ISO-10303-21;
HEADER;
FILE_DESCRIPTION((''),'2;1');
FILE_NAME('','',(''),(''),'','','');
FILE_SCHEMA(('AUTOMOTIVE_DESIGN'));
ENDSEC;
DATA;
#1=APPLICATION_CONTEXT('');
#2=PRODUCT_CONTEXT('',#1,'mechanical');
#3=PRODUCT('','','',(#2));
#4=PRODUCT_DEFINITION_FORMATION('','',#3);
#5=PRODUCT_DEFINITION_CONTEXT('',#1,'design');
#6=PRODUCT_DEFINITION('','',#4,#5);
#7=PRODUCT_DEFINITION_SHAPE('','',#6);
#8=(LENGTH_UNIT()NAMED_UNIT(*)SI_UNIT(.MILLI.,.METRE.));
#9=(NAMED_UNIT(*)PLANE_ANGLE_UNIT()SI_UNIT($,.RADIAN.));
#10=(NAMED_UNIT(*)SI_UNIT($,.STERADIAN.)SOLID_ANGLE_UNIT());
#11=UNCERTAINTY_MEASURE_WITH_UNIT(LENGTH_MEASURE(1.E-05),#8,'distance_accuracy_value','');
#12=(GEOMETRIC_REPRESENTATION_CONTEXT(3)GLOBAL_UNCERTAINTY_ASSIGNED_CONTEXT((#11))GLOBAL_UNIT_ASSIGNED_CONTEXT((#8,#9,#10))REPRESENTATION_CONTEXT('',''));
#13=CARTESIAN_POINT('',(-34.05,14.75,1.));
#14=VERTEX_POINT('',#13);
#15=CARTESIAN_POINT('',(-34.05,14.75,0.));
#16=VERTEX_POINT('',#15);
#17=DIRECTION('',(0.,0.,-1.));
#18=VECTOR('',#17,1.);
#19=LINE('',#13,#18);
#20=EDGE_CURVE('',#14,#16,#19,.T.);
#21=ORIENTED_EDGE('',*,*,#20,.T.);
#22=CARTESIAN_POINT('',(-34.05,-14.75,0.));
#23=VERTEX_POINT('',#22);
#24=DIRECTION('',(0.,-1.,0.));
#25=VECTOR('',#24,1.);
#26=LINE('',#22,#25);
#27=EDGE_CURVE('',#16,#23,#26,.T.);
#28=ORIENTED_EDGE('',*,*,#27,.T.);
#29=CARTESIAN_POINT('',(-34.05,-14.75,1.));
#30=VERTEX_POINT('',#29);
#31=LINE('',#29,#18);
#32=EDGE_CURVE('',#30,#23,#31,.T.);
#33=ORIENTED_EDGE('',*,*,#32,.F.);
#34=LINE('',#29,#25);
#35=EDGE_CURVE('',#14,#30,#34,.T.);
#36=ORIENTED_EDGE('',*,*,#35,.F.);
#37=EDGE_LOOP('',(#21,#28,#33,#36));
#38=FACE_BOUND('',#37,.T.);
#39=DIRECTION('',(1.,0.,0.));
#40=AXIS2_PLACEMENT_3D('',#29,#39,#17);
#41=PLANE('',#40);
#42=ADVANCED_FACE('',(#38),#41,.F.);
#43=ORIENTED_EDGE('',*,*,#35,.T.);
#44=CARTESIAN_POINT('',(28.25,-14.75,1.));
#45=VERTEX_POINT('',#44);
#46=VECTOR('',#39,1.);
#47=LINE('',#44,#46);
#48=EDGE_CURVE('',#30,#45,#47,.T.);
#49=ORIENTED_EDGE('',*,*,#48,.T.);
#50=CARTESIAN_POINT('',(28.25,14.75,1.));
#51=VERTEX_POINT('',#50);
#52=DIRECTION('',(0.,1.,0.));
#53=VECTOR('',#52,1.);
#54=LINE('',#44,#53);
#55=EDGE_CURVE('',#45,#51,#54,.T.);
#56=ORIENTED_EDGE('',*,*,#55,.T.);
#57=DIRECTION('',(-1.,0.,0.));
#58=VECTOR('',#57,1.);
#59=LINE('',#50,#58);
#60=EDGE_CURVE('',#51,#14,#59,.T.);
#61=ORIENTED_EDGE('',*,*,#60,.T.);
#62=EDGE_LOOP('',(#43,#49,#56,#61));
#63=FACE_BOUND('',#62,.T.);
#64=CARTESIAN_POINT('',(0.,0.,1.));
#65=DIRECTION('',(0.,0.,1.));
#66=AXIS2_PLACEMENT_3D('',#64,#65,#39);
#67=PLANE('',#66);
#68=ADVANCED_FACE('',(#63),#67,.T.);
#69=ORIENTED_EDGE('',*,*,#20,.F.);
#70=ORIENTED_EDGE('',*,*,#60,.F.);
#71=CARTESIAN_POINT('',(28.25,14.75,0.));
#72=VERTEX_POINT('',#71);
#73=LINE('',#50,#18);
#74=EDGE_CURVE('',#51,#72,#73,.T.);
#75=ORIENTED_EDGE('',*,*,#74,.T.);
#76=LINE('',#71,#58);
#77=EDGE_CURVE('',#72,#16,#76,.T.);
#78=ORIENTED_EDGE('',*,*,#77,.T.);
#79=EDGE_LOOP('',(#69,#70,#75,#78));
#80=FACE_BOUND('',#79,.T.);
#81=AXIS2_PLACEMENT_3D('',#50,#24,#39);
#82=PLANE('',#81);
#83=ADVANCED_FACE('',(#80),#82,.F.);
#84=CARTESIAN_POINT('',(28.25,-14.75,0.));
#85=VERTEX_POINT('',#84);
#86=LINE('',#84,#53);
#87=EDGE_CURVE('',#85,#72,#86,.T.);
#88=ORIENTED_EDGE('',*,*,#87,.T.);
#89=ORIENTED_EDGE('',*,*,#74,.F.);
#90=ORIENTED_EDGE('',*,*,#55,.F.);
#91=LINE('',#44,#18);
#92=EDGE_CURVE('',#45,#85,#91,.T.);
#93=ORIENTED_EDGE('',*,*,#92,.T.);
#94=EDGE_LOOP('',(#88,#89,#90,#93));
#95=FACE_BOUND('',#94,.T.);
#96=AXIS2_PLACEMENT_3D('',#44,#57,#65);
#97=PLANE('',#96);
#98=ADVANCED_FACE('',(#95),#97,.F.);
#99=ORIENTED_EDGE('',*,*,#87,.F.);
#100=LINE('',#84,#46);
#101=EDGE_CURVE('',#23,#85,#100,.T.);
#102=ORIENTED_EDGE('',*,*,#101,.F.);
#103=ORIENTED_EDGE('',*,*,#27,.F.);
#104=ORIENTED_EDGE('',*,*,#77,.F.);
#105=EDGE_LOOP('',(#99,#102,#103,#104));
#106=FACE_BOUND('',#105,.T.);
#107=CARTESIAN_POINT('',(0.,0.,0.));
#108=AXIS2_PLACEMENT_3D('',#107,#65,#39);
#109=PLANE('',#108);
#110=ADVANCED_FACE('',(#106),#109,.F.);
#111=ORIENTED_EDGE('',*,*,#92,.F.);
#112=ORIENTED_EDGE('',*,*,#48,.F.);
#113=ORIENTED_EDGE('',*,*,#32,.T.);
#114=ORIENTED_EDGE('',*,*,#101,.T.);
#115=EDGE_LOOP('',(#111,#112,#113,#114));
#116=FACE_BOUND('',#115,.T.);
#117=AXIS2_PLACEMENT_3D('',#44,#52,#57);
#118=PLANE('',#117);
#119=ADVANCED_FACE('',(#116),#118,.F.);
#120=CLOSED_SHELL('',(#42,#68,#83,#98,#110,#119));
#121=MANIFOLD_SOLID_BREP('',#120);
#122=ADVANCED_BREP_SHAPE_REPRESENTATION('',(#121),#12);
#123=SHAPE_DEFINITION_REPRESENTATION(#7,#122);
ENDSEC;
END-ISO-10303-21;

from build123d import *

# Parameters (mm, degrees)
SKETCH_1_W      = 62.3
SKETCH_1_H      = 29.5
EXTRUDE_1_DEPTH = 1


with BuildPart() as part:
    # Эскиз1 → Бобышка-Вытянуть1 (new body)
    with BuildSketch(Plane.XY):
        with Locations((-2.9, 0)):
            Rectangle(SKETCH_1_W, SKETCH_1_H)
    extrude(amount=EXTRUDE_1_DEPTH)


solid = part.part
